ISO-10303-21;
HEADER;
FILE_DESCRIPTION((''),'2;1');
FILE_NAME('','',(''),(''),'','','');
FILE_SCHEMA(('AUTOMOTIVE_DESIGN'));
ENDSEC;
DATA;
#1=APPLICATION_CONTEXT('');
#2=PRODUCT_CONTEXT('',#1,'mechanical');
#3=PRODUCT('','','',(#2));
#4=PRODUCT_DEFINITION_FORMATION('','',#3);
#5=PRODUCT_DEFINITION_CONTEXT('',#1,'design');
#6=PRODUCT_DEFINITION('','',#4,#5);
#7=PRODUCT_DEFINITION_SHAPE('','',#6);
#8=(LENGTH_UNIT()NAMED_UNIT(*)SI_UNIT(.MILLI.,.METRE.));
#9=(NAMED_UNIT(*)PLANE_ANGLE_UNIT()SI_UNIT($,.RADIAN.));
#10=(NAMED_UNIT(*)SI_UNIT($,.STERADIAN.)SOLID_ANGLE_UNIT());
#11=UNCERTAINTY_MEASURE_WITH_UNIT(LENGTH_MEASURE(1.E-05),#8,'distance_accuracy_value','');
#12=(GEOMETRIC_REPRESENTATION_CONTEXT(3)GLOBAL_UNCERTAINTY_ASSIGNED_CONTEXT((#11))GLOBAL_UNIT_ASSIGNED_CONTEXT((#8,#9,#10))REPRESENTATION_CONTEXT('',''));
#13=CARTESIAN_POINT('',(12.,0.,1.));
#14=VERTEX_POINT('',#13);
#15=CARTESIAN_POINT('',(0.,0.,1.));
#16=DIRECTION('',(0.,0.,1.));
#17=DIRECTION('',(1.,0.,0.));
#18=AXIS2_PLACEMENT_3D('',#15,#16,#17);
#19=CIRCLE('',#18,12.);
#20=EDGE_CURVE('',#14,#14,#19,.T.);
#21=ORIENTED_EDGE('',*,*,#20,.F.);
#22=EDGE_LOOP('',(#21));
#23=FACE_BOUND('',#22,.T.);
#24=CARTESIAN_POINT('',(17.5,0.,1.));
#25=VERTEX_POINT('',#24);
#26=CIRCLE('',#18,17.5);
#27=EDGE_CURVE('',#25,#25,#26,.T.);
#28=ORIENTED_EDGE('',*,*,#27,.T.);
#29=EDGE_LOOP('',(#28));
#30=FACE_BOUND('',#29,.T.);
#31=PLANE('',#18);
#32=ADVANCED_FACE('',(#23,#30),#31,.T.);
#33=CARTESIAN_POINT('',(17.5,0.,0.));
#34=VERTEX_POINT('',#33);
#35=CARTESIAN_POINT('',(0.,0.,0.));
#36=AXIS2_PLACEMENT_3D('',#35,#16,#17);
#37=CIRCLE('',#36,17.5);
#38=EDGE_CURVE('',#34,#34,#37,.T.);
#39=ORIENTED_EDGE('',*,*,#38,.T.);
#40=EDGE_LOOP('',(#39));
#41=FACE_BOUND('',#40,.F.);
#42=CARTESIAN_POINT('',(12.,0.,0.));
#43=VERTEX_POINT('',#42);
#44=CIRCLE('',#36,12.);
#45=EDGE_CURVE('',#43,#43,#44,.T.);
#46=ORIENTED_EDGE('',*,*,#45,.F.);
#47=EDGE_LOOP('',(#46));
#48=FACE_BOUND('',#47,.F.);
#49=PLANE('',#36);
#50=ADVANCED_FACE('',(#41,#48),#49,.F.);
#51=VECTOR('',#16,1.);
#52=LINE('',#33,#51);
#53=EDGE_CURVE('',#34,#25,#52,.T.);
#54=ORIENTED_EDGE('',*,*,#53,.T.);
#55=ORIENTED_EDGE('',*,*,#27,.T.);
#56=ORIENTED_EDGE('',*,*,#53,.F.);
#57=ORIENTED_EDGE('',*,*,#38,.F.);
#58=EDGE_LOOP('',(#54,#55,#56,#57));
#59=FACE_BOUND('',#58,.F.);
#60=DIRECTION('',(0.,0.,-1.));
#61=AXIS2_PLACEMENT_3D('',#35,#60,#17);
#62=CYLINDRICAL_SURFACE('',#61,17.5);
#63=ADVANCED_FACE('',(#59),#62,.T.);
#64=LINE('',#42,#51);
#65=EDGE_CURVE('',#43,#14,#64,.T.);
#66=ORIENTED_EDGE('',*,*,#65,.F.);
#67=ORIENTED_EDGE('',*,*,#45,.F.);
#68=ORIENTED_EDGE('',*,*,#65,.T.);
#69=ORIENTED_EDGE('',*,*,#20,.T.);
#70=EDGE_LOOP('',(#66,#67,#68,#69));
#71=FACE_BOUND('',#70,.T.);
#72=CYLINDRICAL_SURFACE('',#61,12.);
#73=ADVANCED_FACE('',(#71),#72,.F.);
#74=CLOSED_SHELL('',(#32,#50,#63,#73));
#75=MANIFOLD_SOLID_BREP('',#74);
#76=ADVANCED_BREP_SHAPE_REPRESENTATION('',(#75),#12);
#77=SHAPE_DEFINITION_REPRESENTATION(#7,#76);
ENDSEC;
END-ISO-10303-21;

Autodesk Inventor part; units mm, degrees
ref_plane "YZ Plane" through (0, 0, 0) normal (1, 0, 0) x (0, 1, 0)
ref_plane "XZ Plane" through (0, 0, 0) normal (0, 1, 0) x (-1, 0, 0)
ref_plane "XY Plane" through (0, 0, 0) normal (0, 0, 1) x (1, 0, 0)
sketch "Sketch1" plane through (0, 0, 0) normal (0, 0, 1) x (1, 0, 0)
  circle A0 centre (0, 0) radius 17.5
  circle A1 centre (0, 0) radius 12
  dimension "d0" = 35
  dimension "d1" = 24
extrude "Extrusion1" add sketch "Sketch1" along normal blind 1
properties part number "skirt-lid" material "Stainless Steel"
